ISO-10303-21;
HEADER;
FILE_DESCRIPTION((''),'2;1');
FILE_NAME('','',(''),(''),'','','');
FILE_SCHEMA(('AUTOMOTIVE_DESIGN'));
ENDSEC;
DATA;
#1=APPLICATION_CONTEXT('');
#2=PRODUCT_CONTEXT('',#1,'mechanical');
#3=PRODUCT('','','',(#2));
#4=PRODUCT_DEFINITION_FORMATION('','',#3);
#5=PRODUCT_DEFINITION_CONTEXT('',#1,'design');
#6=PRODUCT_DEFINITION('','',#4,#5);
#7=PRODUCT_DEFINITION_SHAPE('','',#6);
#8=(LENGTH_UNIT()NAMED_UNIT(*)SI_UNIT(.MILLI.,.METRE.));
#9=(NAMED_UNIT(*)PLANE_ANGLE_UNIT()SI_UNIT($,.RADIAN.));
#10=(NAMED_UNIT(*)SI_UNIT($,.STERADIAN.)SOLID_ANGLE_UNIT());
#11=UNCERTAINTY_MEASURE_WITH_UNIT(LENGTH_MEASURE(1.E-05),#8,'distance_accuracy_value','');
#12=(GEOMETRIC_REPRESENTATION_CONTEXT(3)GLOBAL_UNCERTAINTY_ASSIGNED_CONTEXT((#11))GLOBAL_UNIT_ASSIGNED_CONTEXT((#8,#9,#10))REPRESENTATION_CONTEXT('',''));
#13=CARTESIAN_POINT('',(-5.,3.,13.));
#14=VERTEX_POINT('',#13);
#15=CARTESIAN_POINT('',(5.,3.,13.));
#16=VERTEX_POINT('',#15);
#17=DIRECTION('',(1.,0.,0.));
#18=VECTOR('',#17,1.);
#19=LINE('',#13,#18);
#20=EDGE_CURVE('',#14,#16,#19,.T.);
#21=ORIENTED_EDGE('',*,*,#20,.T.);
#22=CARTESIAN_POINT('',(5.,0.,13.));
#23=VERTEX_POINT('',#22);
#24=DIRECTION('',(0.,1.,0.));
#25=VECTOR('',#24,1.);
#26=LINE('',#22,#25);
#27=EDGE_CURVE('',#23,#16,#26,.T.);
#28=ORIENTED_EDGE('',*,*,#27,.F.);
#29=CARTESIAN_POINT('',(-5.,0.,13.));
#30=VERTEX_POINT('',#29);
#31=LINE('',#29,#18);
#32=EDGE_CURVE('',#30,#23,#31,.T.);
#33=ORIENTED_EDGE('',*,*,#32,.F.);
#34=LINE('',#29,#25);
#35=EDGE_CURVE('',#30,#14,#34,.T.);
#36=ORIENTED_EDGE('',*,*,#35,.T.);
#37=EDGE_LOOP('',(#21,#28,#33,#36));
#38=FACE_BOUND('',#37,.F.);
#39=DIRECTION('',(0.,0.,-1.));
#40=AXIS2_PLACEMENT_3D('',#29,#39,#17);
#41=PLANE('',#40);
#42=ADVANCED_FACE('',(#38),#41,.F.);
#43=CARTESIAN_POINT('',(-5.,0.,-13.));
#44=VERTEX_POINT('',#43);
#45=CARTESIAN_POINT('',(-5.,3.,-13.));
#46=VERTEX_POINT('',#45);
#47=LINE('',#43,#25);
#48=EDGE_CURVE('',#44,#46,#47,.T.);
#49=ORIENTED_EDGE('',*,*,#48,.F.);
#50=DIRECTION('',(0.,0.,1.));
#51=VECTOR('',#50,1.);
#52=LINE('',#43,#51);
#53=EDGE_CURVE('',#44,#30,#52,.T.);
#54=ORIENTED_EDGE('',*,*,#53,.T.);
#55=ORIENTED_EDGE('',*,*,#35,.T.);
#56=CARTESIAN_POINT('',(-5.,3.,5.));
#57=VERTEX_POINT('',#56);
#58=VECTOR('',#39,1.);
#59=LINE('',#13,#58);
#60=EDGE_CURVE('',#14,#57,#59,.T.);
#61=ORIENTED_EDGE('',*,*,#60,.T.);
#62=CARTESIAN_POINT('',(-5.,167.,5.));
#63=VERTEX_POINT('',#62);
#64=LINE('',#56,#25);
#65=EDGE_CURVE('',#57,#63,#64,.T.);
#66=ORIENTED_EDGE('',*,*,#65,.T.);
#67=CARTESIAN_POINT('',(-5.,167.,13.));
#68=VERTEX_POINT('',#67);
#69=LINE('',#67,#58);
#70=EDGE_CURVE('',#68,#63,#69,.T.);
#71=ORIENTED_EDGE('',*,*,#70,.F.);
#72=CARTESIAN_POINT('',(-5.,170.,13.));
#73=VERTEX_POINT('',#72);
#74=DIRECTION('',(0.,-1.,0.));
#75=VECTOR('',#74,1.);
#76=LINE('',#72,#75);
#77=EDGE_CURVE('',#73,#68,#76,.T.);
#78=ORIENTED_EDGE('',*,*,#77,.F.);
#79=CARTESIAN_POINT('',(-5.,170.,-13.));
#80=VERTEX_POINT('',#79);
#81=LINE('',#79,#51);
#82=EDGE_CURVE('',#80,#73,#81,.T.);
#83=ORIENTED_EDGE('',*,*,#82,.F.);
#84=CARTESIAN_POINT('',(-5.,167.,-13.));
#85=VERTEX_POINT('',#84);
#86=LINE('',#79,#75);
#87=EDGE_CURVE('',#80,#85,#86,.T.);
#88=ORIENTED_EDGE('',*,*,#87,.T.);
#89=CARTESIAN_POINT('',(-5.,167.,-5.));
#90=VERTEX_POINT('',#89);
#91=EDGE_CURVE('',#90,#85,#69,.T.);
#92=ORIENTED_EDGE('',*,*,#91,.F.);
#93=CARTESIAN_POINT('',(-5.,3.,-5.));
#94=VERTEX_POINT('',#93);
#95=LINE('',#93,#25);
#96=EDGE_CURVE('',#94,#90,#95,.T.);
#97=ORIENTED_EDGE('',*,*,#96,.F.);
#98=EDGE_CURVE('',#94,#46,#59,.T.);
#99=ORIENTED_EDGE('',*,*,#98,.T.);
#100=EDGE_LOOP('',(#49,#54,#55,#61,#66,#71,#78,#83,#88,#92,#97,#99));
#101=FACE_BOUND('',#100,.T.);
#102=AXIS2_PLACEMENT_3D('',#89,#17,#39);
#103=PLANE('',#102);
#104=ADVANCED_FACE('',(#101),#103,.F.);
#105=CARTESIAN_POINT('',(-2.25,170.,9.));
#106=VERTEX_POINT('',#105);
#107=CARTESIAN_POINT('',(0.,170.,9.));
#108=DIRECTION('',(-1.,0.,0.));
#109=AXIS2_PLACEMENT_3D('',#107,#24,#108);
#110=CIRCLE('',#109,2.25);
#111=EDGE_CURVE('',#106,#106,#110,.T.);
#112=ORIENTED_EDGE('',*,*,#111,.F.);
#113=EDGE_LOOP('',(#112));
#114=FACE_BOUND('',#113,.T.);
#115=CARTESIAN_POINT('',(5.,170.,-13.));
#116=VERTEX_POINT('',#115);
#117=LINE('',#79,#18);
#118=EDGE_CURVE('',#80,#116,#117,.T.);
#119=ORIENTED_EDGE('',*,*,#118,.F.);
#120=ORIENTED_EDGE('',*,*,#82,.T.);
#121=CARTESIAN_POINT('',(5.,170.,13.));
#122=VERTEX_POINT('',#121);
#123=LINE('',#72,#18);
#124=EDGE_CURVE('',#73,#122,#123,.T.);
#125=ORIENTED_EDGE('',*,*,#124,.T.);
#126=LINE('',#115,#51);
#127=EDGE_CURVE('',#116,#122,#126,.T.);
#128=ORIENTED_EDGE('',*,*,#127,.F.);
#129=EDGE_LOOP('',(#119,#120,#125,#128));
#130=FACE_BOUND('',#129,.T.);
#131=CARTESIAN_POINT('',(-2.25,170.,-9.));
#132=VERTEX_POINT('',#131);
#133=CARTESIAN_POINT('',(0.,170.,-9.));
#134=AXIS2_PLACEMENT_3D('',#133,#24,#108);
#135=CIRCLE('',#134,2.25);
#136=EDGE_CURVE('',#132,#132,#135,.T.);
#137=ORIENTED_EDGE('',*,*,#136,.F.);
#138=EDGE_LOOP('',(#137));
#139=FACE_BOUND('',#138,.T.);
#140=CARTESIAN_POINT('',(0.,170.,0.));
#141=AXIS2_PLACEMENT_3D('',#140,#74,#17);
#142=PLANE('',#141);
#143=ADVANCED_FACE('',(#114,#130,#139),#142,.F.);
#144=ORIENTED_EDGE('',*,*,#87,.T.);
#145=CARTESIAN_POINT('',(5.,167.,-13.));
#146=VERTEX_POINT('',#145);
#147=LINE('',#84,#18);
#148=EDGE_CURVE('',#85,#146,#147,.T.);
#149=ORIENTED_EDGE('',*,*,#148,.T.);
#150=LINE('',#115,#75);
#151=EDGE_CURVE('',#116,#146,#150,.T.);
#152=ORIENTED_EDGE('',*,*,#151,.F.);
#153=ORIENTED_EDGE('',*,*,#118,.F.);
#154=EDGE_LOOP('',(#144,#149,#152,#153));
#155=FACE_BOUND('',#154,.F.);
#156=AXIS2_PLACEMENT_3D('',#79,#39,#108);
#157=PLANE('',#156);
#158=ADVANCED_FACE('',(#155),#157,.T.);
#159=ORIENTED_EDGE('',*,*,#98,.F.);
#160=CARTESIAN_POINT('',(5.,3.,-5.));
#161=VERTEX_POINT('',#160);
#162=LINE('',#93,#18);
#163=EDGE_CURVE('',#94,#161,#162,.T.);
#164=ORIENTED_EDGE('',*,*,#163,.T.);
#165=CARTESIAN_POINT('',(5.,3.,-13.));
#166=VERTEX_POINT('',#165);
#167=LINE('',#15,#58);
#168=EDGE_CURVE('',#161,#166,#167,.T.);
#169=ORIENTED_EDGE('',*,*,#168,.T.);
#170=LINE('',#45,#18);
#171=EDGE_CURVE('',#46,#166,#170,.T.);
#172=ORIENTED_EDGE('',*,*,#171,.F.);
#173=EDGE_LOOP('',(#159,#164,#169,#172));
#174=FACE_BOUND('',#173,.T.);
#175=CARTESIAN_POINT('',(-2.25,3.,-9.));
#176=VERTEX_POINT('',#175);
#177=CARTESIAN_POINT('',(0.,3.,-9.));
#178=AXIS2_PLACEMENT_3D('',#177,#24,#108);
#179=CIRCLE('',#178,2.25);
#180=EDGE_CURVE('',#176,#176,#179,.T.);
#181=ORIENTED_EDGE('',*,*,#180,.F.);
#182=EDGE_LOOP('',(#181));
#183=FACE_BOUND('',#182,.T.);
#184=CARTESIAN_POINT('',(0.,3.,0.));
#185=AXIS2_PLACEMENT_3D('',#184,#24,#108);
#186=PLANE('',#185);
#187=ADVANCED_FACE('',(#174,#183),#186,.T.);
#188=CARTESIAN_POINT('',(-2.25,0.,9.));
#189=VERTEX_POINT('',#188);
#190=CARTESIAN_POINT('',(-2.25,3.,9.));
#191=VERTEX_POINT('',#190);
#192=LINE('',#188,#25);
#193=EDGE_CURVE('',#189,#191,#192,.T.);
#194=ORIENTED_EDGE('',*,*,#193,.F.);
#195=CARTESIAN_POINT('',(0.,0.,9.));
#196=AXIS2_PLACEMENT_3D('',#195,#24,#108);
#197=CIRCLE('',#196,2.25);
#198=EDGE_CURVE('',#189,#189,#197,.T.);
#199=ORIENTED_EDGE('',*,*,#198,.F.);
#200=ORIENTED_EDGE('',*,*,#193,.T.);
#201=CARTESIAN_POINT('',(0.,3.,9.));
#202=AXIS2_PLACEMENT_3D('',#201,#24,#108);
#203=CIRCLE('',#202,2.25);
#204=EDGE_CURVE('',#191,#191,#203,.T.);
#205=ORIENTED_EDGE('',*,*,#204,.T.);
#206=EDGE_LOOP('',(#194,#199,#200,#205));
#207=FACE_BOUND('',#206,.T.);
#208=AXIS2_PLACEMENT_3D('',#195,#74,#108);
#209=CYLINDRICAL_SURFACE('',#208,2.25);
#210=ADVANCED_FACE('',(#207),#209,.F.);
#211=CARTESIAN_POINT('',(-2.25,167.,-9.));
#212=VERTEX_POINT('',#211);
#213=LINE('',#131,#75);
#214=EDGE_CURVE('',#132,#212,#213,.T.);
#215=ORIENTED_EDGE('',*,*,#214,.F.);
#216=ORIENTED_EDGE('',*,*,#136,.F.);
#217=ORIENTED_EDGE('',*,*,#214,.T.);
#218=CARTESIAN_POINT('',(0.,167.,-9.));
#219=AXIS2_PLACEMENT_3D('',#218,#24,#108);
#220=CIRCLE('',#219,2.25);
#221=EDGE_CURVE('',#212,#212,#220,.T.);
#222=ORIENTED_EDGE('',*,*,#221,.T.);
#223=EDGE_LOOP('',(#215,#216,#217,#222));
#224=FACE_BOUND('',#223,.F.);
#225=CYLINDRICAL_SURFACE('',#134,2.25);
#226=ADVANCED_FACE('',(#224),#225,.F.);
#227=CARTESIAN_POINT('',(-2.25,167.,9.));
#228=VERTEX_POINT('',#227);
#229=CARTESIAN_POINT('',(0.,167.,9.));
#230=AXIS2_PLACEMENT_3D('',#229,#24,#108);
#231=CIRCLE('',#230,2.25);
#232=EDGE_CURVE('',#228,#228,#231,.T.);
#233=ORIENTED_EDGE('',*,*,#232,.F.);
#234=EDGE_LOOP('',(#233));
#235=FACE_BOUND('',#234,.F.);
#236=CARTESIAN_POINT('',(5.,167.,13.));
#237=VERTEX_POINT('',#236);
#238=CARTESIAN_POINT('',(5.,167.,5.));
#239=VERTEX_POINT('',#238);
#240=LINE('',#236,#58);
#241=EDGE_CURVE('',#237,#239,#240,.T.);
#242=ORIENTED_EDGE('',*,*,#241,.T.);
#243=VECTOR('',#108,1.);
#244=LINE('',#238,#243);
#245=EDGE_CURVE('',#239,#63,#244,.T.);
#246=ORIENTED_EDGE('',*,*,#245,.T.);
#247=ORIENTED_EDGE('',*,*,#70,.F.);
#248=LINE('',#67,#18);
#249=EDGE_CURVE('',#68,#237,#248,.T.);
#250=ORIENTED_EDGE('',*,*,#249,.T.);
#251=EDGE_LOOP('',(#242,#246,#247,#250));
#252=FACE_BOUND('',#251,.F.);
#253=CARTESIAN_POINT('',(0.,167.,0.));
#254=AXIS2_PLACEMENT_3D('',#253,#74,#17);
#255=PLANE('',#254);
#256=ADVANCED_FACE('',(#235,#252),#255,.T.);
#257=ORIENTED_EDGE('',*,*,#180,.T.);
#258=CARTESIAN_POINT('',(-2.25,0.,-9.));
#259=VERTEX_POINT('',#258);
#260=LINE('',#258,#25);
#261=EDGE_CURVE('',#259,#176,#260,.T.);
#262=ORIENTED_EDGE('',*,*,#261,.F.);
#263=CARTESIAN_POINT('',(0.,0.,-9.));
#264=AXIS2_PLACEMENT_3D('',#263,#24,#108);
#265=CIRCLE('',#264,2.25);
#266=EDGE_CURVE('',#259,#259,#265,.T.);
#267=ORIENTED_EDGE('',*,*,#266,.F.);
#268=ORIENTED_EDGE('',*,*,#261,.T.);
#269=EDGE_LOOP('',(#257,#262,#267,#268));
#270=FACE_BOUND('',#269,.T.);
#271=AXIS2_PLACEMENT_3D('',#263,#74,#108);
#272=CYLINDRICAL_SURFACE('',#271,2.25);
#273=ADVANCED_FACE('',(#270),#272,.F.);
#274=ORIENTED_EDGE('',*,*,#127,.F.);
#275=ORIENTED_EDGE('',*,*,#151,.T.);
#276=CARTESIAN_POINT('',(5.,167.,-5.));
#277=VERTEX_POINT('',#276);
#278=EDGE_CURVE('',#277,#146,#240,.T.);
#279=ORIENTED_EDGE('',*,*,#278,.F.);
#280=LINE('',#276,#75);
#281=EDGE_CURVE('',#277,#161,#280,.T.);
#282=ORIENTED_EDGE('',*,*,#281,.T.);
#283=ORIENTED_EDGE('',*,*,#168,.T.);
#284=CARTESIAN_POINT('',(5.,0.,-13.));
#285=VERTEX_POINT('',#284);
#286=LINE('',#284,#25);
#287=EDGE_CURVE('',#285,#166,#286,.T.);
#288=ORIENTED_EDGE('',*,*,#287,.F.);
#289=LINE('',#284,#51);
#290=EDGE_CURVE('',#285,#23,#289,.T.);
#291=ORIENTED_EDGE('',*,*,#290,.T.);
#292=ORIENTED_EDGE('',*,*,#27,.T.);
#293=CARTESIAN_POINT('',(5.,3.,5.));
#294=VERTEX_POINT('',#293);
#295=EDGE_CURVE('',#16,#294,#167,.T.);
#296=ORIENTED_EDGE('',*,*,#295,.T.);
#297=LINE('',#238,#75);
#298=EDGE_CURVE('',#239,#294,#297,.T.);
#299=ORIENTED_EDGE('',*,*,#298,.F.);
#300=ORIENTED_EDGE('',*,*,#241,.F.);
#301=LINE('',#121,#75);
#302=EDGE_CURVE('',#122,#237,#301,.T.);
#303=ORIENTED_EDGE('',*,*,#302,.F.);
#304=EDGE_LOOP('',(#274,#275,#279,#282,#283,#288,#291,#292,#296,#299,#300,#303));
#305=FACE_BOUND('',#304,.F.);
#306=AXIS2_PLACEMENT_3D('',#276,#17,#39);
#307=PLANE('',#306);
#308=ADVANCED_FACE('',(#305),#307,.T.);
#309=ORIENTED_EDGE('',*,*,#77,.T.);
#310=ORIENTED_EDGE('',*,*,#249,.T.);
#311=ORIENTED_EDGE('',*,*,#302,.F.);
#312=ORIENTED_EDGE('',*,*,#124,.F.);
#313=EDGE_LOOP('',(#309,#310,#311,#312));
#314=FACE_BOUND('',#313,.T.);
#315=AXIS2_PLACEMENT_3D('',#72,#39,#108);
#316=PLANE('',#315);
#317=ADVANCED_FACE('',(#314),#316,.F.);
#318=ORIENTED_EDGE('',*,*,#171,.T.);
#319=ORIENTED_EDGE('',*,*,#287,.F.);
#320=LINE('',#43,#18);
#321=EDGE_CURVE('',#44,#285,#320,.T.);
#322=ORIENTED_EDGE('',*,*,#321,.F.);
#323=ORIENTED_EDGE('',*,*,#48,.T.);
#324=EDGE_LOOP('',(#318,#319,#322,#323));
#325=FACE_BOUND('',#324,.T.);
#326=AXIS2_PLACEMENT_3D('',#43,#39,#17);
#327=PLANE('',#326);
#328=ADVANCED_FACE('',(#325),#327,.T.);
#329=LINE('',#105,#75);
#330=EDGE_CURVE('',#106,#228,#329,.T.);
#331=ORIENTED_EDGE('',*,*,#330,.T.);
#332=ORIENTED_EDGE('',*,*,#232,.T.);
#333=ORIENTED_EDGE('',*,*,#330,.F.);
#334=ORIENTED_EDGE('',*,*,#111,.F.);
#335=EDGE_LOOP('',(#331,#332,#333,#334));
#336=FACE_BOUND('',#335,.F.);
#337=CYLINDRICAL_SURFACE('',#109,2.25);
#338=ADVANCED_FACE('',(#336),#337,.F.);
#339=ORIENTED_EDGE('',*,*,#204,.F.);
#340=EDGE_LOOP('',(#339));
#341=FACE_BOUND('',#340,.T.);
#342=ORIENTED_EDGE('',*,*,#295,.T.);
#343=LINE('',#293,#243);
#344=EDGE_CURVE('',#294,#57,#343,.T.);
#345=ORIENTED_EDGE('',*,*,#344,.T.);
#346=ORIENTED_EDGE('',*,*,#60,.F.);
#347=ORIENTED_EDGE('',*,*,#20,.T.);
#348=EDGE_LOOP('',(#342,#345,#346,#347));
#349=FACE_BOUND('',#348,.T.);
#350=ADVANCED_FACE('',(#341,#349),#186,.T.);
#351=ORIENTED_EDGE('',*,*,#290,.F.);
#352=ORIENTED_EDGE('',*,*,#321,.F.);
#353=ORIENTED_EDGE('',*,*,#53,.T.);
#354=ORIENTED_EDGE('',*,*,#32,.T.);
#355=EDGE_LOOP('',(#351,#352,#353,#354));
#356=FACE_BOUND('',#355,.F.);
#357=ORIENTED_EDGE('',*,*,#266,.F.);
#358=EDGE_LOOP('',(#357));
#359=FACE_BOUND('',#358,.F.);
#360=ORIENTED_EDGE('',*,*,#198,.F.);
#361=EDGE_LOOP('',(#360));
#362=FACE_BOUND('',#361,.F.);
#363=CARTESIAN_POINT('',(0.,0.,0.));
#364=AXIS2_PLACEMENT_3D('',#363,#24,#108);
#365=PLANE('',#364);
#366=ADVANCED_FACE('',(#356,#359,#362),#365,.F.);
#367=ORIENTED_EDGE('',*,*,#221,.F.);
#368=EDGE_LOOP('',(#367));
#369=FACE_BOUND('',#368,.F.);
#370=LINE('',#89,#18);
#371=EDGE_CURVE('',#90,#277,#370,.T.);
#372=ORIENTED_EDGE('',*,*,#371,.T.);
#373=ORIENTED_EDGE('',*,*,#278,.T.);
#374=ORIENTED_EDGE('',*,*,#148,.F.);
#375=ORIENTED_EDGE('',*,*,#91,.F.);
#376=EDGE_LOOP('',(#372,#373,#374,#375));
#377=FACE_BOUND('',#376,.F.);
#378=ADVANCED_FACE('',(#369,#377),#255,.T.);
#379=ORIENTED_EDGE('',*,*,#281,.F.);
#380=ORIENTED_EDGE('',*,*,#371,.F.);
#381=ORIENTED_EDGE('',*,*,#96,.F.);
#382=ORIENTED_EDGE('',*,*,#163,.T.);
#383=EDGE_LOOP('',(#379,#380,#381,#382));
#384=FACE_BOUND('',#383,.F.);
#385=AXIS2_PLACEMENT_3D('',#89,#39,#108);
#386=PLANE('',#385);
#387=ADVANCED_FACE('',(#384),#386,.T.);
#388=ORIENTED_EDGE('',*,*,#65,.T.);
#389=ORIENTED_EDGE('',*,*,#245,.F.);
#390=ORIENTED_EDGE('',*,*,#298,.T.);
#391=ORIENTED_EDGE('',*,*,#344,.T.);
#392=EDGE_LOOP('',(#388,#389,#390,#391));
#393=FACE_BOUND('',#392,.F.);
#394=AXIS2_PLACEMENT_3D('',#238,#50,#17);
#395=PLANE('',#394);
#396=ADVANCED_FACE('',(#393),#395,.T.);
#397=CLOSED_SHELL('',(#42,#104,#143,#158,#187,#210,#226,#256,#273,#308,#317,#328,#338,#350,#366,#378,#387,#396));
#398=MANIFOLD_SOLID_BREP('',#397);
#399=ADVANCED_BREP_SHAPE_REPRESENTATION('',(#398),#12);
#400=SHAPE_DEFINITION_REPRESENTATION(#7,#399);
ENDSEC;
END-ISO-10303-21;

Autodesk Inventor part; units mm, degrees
ref_plane "YZ Plane" through (0, 0, 0) normal (1, 0, 0) x (0, 1, 0)
ref_plane "XZ Plane" through (0, 0, 0) normal (0, 1, 0) x (-1, 0, 0)
ref_plane "XY Plane" through (0, 0, 0) normal (0, 0, 1) x (1, 0, 0)
sketch "Sketch1" plane through (0, 0, 0) normal (0, 1, 0) x (-1, 0, 0)
  line L0 (5, 5) -> (-5, 5)
  line L1 (-5, 5) -> (-5, -5)
  line L2 (-5, -5) -> (5, -5)
  line L3 (5, -5) -> (5, 5)
  line L4 (5, 5) -> (-5, -5) construction
  line L5 (-5, 5) -> (5, -5) construction
  circle A0 centre (0, 9) radius 2.25
  line L6 (5, 0) -> (7.8618, 0)
  circle A1 centre (0, -9) radius 2.25
  line L7 (5, -9) -> (5, -5)
  line L8 (-5, -9) -> (-5, -5)
  line L9 (-5, 5) -> (5, 5)
  line L10 (5, 5) -> (5, 13)
  line L11 (5, 13) -> (-5, 13)
  line L12 (-5, 13) -> (-5, 5)
  line L13 (-5, -5) -> (5, -5)
  line L14 (5, -5) -> (5, -13)
  line L15 (5, -13) -> (-5, -13)
  line L16 (-5, -13) -> (-5, -5)
  point P0 (0, 0)
  dimension "d0" = 10
  dimension "d1" = 10
  dimension "d2" = 4.5
  dimension "d4" = 4
  dimension "d17" = 4
extrude "Extrusion1" add sketch "Sketch1" along normal blind 3
sketch "Sketch2" plane through (0, 3, 0) normal (0, 1, 0) x (1, 0, 0)
  line L0 (-5, 5) -> (-5, -5) projected
  line L1 (5, -5) -> (-5, -5)
  line L2 (-5, -5) -> (-5, 5)
  line L3 (-5, 5) -> (5, 5)
  line L4 (5, 5) -> (5, -5)
  line L5 (5, -5) -> (-5, 5) construction
  line L6 (-5, -5) -> (5, 5) construction
  point P0 (0, 0)
  point P1 (-5, 9)
  point P2 (-5, -9)
  dimension "d8" = 10
extrude "Extrusion2" add sketch "Sketch2" along normal blind 82
mirror "Mirror1" about plane through (0, 85, 0) normal (0, 1, 0) of "Extrusion1", "Extrusion2"
properties part number "basket_pilar"
